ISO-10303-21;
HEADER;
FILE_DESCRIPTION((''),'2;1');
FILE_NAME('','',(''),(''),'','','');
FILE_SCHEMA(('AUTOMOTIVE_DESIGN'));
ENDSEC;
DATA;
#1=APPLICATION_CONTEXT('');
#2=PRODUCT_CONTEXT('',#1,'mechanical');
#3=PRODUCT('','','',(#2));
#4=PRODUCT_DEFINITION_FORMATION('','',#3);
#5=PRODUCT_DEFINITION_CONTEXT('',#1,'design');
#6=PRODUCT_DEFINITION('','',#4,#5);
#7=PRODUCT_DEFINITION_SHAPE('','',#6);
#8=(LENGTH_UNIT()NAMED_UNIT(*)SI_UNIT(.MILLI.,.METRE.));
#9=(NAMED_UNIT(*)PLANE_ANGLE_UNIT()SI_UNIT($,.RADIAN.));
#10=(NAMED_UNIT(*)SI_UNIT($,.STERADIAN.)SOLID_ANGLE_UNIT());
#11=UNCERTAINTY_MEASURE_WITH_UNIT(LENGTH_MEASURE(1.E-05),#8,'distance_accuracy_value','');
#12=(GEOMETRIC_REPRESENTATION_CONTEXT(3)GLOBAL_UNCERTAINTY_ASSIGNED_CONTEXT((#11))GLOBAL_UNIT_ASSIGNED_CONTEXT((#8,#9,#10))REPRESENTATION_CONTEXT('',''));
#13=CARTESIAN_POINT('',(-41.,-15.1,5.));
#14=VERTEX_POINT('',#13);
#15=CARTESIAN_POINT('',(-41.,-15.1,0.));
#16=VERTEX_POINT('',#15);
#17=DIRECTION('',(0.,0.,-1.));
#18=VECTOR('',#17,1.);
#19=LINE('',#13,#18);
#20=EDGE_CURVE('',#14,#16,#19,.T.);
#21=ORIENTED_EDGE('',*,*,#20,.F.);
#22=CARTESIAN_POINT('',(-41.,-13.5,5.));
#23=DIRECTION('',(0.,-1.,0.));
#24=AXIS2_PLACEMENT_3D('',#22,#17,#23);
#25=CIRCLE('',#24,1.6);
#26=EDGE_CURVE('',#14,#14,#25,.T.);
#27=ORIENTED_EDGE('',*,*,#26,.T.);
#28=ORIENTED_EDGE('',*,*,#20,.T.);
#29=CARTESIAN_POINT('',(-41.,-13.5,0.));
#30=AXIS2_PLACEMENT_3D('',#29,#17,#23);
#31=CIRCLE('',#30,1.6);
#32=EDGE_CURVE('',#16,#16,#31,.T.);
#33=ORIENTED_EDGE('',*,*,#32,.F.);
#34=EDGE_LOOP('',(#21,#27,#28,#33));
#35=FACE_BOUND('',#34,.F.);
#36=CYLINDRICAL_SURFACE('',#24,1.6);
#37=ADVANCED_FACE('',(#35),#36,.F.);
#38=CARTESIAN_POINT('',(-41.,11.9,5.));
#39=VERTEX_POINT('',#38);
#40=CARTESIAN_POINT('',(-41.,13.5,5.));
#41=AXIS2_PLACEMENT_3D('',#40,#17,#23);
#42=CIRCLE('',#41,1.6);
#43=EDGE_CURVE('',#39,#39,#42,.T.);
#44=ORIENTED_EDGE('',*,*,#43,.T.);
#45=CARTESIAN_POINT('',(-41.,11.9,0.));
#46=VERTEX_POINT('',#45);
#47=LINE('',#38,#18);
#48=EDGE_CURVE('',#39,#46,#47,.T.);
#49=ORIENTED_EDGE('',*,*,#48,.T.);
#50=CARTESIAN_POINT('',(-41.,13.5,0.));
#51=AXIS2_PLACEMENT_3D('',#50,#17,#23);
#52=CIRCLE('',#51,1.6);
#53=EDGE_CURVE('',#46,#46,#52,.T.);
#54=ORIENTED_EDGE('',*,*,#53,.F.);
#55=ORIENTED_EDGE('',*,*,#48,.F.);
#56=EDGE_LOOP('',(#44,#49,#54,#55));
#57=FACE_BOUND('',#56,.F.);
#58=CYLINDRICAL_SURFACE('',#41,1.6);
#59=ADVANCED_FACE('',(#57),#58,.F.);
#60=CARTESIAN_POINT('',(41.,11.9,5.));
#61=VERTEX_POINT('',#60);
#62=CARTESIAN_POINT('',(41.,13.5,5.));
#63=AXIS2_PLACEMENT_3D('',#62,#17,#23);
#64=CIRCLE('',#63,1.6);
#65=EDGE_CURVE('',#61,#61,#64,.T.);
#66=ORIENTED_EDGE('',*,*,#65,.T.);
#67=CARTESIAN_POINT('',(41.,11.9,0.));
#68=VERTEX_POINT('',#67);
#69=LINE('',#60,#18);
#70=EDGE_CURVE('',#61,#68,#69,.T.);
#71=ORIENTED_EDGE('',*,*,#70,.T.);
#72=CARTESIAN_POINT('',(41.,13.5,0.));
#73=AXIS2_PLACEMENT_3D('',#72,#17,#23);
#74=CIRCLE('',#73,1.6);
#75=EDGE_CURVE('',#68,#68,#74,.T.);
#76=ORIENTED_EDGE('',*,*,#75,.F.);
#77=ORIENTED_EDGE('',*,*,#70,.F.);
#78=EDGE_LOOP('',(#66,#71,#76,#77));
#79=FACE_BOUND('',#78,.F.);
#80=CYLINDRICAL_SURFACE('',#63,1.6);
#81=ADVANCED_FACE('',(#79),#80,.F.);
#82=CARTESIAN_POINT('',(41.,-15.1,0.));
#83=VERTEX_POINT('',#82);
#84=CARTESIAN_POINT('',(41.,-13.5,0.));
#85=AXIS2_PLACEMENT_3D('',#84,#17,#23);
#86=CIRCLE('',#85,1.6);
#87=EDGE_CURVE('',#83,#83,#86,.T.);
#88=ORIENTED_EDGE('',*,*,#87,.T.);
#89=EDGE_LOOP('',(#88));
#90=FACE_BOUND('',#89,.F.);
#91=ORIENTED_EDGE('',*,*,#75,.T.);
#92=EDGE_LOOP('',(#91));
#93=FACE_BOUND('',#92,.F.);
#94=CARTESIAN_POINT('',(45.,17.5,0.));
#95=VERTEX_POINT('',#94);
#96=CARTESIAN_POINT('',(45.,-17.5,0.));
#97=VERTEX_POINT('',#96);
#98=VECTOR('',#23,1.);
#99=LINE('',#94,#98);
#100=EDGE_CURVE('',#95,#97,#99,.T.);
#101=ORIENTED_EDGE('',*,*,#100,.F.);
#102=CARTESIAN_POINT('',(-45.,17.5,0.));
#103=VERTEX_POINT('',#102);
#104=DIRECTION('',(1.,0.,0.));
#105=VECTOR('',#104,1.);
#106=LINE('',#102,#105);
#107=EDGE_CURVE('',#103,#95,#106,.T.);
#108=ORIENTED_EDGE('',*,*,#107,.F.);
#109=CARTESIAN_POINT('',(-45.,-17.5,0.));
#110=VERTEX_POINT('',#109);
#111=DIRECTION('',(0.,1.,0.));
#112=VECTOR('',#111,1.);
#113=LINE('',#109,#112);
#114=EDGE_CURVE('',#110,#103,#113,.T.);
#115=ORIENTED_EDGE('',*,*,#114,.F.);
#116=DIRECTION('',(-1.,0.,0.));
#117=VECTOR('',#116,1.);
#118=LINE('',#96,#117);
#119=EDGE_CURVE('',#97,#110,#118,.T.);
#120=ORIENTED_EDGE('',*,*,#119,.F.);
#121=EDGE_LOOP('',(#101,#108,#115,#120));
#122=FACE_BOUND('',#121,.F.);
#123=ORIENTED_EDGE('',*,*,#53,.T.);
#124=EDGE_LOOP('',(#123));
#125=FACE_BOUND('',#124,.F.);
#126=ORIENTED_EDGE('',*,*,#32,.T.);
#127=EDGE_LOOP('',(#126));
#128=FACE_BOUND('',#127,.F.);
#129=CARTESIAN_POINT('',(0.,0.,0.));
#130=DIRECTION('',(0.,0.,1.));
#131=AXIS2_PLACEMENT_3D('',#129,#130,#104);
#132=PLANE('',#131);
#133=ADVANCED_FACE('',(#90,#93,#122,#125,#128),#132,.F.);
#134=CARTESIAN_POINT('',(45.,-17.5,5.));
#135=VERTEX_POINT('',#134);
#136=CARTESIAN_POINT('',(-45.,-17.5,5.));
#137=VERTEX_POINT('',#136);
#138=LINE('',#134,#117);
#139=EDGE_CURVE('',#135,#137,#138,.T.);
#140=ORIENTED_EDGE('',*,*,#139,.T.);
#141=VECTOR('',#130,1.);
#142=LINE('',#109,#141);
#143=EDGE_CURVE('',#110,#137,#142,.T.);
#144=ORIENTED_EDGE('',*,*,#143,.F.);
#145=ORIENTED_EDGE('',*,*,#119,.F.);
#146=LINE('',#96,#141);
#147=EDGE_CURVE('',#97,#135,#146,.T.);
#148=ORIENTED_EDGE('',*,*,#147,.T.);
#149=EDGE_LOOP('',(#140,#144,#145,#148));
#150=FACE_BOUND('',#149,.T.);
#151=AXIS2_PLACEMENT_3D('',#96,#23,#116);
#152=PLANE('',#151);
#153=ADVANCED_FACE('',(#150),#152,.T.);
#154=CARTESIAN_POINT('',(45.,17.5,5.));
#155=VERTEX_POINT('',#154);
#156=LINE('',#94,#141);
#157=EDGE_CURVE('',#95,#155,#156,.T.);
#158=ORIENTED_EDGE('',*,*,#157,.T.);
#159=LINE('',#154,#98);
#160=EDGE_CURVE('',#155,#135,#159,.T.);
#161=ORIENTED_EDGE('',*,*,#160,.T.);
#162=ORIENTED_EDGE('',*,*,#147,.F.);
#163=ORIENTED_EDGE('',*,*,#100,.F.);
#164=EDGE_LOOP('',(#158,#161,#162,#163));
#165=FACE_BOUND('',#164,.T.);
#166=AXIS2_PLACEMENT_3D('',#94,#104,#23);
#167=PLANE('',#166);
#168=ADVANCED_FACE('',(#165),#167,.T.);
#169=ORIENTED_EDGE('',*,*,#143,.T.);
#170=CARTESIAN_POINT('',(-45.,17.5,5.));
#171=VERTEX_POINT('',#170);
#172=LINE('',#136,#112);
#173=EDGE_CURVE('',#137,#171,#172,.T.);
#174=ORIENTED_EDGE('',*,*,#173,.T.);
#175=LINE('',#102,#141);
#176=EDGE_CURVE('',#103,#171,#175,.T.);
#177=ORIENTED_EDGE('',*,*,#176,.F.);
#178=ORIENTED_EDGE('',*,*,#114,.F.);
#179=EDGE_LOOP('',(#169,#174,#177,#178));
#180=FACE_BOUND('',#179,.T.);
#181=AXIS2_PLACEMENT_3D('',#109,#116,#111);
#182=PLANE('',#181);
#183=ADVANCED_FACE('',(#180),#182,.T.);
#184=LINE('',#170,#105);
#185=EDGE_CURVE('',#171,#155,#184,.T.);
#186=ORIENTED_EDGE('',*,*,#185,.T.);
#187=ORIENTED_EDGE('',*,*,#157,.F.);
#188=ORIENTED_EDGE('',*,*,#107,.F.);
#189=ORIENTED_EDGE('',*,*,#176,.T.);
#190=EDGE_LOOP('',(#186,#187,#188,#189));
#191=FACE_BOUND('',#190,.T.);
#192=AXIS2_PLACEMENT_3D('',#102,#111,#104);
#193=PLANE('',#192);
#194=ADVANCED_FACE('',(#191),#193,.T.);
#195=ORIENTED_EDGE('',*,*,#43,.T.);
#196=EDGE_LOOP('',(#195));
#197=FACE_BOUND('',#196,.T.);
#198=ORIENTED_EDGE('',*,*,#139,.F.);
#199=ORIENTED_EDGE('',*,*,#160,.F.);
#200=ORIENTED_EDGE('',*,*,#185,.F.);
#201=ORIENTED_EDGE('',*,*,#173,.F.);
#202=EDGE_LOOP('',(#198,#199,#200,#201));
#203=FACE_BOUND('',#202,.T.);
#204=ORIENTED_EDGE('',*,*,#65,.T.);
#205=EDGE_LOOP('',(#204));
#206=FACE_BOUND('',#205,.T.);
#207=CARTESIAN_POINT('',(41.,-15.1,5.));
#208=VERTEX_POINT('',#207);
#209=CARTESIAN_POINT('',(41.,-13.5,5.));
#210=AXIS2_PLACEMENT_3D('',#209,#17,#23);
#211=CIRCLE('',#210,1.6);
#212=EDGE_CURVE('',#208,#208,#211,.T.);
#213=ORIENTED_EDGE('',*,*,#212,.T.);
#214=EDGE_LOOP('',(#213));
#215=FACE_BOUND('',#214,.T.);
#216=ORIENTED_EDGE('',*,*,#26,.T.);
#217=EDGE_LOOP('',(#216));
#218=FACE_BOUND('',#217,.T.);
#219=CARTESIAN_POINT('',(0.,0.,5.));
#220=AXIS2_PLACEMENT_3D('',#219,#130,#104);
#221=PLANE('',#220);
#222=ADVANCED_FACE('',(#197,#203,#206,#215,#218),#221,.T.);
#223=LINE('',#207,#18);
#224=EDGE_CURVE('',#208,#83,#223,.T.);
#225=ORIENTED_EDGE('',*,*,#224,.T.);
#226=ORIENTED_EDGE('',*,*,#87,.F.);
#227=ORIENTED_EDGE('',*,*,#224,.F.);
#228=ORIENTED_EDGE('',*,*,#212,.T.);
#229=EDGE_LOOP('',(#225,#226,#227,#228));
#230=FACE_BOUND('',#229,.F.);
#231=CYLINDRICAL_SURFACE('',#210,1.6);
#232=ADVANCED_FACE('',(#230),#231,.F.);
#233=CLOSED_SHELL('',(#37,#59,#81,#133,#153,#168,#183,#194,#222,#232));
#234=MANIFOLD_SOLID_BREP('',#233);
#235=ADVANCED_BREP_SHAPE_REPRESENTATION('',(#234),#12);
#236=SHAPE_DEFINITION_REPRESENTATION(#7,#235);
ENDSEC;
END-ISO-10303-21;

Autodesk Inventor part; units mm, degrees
ref_plane "YZ Plane" through (0, 0, 0) normal (1, 0, 0) x (0, 1, 0)
ref_plane "XZ Plane" through (0, 0, 0) normal (0, 1, 0) x (-1, 0, 0)
ref_plane "XY Plane" through (0, 0, 0) normal (0, 0, 1) x (1, 0, 0)
sketch "スケッチ1" plane through (0, 0, 0) normal (0, 0, 1) x (1, 0, 0)
  line L0 (-45, 17.5) -> (45, 17.5)
  line L1 (45, 17.5) -> (45, -17.5)
  line L2 (45, -17.5) -> (-45, -17.5)
  line L3 (-45, -17.5) -> (-45, 17.5)
  line L4 (-45, 17.5) -> (45, -17.5) construction
  line L5 (45, 17.5) -> (-45, -17.5) construction
  point P0 (0, 0)
  dimension "d0" = 90
  dimension "d1" = 35
extrude "押し出し1" add sketch "スケッチ1" along normal blind 5
sketch "スケッチ3" plane through (0, 0, 5) normal (0, 0, 1) x (1, 0, 0)
  line L0 (-45, 17.5) -> (-45, -17.5) projected
  line L1 (45, 17.5) -> (-45, 17.5) projected
  line L2 (-45, -17.5) -> (45, -17.5) projected
  line L3 (45, -17.5) -> (45, 17.5) projected
  point P0 (0, 0)
  point P1 (-41, 13.5)
  point P2 (-41, -13.5)
  point P3 (41, 13.5)
  point P4 (41, -13.5)
  dimension "d15" = 4
  dimension "d16" = 4
  dimension "d17" = 4
  dimension "d18" = 4
  dimension "d19" = 4
  dimension "d20" = 4
  dimension "d21" = 4
  dimension "d29" = 82
  dimension "d31" = 4
  dimension "d32" = 27
hole "穴2" at (-41, 13.5, 5) at (-41, -13.5, 5) at (41, 13.5, 5) at (41, -13.5, 5) direction (0, 0, -1) diameter 3.2 depth 8 tip angle 118
properties part number "ライントレース" material "アセタール樹脂、白"
